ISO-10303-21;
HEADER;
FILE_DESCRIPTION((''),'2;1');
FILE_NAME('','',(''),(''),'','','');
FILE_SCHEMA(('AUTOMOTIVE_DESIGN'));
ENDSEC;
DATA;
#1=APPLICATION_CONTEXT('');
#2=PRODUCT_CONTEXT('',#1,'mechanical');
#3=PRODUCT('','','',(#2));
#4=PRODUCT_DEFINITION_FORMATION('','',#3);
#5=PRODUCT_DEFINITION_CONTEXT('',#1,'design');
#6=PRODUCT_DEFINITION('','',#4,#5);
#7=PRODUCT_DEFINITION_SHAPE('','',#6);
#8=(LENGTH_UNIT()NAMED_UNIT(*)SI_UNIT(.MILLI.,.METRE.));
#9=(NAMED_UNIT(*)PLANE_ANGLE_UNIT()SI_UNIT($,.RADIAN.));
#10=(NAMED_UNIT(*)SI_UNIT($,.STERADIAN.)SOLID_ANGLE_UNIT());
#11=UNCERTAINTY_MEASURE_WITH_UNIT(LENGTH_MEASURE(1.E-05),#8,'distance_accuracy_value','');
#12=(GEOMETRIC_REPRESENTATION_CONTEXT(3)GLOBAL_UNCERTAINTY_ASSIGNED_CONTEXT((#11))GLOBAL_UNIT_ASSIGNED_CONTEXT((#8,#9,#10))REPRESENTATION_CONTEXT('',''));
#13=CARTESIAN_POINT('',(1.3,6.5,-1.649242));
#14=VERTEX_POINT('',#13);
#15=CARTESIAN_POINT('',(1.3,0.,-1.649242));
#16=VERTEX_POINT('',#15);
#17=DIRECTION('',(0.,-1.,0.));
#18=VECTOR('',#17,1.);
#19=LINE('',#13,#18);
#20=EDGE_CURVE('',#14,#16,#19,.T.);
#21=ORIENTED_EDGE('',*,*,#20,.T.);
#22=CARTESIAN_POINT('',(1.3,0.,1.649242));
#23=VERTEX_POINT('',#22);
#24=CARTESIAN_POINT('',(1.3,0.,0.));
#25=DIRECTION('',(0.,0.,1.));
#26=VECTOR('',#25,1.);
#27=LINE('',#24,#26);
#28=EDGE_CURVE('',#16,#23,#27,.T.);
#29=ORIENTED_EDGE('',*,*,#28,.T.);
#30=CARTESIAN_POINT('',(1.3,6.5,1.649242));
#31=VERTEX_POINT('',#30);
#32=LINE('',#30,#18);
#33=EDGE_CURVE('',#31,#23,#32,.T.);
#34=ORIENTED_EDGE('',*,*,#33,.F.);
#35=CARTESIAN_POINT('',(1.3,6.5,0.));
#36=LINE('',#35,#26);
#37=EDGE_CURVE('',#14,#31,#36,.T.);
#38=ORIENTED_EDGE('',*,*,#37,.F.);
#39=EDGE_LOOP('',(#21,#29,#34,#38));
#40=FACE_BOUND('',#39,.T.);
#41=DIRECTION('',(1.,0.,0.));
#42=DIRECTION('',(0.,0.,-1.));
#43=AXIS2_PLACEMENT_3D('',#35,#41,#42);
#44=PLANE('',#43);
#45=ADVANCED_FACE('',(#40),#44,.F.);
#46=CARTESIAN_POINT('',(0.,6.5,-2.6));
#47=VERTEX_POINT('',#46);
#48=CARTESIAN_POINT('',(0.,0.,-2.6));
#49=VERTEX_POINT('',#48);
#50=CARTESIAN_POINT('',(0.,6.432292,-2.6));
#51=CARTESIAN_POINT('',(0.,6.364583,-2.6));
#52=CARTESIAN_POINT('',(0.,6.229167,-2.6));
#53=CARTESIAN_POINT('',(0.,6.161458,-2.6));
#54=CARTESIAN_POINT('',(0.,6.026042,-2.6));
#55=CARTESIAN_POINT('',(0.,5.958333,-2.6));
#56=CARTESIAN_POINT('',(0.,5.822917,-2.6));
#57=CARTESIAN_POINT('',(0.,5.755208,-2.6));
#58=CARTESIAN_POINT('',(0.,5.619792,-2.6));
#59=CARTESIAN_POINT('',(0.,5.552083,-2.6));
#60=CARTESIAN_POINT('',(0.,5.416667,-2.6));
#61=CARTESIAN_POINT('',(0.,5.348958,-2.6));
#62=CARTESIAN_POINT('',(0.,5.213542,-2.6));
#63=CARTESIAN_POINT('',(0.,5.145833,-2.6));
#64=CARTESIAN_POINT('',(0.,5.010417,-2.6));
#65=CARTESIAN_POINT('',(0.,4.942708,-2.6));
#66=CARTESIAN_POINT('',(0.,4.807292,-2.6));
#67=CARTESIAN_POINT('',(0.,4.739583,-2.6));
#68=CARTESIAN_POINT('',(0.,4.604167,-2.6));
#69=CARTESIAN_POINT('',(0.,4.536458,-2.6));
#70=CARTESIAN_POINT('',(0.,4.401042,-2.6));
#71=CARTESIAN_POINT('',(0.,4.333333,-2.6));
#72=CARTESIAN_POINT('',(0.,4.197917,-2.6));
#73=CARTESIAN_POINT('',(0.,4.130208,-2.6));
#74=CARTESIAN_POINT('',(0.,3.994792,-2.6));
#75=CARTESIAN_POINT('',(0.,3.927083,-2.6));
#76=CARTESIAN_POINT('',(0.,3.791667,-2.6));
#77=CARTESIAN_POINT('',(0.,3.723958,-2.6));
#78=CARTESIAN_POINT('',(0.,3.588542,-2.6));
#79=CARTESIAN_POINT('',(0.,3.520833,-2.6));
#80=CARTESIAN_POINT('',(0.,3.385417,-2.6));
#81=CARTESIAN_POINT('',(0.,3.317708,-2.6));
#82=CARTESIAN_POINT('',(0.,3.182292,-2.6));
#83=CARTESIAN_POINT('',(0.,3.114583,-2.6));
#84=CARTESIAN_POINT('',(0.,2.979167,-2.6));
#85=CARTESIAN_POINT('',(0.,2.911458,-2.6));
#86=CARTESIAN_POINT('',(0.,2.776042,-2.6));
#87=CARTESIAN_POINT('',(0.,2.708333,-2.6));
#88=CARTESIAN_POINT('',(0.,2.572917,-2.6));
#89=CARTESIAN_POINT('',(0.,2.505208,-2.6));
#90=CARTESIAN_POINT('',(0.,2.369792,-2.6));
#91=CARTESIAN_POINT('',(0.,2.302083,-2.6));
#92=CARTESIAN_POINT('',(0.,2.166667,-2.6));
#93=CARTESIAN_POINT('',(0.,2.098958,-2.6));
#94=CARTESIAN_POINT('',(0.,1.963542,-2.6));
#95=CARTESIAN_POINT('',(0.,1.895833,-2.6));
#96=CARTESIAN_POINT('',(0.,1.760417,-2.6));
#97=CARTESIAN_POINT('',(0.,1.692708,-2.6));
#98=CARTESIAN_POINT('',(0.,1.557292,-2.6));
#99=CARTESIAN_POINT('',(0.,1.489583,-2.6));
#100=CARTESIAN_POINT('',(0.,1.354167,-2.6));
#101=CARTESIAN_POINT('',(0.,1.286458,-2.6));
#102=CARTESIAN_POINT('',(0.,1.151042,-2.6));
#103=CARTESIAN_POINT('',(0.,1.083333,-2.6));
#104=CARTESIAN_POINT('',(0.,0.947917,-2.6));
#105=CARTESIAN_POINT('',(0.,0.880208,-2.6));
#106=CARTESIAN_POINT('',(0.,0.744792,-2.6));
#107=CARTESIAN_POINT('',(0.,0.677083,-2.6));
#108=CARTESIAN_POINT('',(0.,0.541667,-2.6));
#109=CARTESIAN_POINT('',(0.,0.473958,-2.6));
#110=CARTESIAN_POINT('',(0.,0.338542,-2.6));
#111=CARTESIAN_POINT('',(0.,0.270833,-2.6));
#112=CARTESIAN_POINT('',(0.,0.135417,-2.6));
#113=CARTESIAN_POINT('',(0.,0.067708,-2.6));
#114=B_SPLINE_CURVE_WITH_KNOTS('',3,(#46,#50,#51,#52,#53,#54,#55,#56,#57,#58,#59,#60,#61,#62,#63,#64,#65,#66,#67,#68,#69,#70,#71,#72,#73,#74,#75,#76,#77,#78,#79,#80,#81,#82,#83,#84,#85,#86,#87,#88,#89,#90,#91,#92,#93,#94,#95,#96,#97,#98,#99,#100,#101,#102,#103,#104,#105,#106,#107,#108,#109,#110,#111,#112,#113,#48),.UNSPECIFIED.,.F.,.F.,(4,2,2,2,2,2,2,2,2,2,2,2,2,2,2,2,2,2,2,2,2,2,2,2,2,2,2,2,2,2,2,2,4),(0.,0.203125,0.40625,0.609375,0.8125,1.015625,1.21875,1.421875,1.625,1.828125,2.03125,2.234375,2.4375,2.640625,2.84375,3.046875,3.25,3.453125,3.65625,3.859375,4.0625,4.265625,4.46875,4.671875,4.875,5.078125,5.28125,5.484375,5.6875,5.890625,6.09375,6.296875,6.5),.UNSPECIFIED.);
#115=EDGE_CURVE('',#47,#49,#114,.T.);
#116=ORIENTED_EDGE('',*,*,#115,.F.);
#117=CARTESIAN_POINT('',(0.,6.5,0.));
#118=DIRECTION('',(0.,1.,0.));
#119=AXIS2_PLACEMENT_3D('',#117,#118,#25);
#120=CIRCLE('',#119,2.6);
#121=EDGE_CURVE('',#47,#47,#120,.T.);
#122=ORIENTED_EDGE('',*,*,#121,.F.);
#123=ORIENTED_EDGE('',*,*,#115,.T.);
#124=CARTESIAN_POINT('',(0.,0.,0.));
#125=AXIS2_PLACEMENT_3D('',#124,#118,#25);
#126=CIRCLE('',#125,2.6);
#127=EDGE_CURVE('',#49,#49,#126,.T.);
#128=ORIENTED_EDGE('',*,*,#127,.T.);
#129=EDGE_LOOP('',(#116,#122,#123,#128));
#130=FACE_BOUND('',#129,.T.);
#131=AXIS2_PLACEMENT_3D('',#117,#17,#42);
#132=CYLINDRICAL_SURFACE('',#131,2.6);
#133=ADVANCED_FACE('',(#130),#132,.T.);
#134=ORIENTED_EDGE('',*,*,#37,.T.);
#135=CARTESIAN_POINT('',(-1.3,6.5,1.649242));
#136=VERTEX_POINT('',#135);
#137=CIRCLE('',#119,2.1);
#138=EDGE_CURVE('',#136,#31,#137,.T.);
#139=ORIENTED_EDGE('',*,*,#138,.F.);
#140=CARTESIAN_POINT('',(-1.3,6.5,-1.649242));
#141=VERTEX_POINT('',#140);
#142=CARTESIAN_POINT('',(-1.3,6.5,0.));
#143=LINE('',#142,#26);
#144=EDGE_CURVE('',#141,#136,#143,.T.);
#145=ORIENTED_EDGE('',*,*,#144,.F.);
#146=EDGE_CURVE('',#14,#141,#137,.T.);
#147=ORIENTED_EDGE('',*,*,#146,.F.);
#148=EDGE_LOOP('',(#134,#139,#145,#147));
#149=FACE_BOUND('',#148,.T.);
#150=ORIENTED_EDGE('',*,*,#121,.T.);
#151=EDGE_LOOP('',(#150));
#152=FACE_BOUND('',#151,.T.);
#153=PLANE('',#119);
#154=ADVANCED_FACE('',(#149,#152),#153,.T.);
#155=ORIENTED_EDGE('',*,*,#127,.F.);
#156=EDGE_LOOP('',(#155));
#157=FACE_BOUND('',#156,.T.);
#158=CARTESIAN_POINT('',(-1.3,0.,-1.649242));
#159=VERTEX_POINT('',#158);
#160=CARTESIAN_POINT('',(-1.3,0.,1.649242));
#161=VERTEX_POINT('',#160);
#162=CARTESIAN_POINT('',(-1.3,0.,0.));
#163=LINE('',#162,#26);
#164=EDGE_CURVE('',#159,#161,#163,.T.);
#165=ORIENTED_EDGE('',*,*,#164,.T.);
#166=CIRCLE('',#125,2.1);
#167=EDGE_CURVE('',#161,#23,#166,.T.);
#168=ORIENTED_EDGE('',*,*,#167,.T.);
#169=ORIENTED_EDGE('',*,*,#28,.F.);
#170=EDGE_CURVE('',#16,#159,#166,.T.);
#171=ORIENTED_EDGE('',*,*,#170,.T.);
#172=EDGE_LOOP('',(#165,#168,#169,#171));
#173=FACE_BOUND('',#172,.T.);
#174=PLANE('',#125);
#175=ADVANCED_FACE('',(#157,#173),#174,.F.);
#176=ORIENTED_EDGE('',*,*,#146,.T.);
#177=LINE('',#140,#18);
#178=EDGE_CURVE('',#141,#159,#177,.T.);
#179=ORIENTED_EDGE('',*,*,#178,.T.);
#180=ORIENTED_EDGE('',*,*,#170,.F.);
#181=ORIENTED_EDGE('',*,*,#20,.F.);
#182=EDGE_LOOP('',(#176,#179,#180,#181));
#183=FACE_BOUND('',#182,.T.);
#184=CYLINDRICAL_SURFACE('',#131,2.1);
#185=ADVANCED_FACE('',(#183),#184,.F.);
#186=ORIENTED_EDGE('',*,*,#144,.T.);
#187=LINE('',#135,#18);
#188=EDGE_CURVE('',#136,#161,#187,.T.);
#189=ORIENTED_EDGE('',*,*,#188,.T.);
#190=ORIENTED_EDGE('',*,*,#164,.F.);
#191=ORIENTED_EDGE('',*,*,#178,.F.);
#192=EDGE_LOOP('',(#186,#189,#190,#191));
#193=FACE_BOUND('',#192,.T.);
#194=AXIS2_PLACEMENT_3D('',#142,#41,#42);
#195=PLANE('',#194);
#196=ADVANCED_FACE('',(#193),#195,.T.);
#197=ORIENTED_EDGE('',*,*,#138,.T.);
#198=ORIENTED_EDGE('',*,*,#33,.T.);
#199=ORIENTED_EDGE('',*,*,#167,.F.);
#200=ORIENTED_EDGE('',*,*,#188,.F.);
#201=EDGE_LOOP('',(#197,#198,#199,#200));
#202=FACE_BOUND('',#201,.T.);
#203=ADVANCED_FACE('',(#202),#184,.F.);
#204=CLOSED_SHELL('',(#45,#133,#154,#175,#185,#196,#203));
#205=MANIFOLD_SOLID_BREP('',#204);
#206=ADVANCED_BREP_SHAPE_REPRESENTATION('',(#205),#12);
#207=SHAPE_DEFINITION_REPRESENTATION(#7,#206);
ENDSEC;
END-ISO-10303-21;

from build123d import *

# Parameters (mm, degrees)
RESSALTO_EXTRUS_O2_DEPTH = 6.5


with BuildPart() as part:
    # Esboço1 → Ressalto-extrusão2 (new body)
    with BuildSketch(Plane(origin=(0, 0, 0), x_dir=(1, 0, 0), z_dir=(0, 1, 0))):
        with BuildLine():
            Line((-1.3, -1.64924225), (-1.3, 1.64924225))
            ThreePointArc((-1.3, 1.64924225), (-2.1, 0), (-1.3, -1.64924225))
        make_face()
        with BuildLine():
            Line((-1.3, 1.64924225), (-1.3, 2.25166605))
            ThreePointArc((-1.3, 2.25166605), (-2.6, 0), (-1.3, -2.25166605))
            Line((-1.3, -2.25166605), (-1.3, -1.64924225))
            ThreePointArc((-1.3, -1.64924225), (-2.1, 0), (-1.3, 1.64924225))
        make_face()
        with BuildLine():
            Line((0, 2.1), (0, 2.6))
            ThreePointArc((0, 2.6), (-0.672929517, 2.511407148), (-1.3, 2.25166605))
            Line((-1.3, 2.25166605), (-1.3, 1.64924225))
            ThreePointArc((-1.3, 1.64924225), (-0.687964852, 1.984112991), (0, 2.1))
        make_face()
        with BuildLine():
            Line((0, -2.6), (0, -2.1))
            ThreePointArc((0, -2.1), (-0.687964852, -1.984112991), (-1.3, -1.64924225))
            Line((-1.3, -1.64924225), (-1.3, -2.25166605))
            ThreePointArc((-1.3, -2.25166605), (-0.672929517, -2.511407148), (0, -2.6))
        make_face()
        with BuildLine():
            ThreePointArc((1.3, 2.25166605), (0.672929517, 2.511407148), (0, 2.6))
            Line((0, 2.6), (0, 2.1))
            ThreePointArc((0, 2.1), (0.687964852, 1.984112991), (1.3, 1.64924225))
            Line((1.3, 1.64924225), (1.3, 2.25166605))
        make_face()
        with BuildLine():
            ThreePointArc((1.3, -1.64924225), (0.687964852, -1.984112991), (0, -2.1))
            Line((0, -2.1), (0, -2.6))
            ThreePointArc((0, -2.6), (0.672929517, -2.511407148), (1.3, -2.25166605))
            Line((1.3, -2.25166605), (1.3, -1.64924225))
        make_face()
        with BuildLine():
            ThreePointArc((2.6, 0), (2.25166605, 1.3), (1.3, 2.25166605))
            Line((1.3, 2.25166605), (1.3, 1.64924225))
            ThreePointArc((1.3, 1.64924225), (1.889444363, 0.916515139), (2.1, 0))
            ThreePointArc((2.1, 0), (1.889444363, -0.916515139), (1.3, -1.64924225))
            Line((1.3, -1.64924225), (1.3, -2.25166605))
            ThreePointArc((1.3, -2.25166605), (2.25166605, -1.3), (2.6, 0))
        make_face()
        with BuildLine():
            ThreePointArc((2.1, 0), (1.889444363, 0.916515139), (1.3, 1.64924225))
            Line((1.3, 1.64924225), (1.3, -1.64924225))
            ThreePointArc((1.3, -1.64924225), (1.889444363, -0.916515139), (2.1, 0))
        make_face()
    extrude(amount=RESSALTO_EXTRUS_O2_DEPTH)


solid = part.part
